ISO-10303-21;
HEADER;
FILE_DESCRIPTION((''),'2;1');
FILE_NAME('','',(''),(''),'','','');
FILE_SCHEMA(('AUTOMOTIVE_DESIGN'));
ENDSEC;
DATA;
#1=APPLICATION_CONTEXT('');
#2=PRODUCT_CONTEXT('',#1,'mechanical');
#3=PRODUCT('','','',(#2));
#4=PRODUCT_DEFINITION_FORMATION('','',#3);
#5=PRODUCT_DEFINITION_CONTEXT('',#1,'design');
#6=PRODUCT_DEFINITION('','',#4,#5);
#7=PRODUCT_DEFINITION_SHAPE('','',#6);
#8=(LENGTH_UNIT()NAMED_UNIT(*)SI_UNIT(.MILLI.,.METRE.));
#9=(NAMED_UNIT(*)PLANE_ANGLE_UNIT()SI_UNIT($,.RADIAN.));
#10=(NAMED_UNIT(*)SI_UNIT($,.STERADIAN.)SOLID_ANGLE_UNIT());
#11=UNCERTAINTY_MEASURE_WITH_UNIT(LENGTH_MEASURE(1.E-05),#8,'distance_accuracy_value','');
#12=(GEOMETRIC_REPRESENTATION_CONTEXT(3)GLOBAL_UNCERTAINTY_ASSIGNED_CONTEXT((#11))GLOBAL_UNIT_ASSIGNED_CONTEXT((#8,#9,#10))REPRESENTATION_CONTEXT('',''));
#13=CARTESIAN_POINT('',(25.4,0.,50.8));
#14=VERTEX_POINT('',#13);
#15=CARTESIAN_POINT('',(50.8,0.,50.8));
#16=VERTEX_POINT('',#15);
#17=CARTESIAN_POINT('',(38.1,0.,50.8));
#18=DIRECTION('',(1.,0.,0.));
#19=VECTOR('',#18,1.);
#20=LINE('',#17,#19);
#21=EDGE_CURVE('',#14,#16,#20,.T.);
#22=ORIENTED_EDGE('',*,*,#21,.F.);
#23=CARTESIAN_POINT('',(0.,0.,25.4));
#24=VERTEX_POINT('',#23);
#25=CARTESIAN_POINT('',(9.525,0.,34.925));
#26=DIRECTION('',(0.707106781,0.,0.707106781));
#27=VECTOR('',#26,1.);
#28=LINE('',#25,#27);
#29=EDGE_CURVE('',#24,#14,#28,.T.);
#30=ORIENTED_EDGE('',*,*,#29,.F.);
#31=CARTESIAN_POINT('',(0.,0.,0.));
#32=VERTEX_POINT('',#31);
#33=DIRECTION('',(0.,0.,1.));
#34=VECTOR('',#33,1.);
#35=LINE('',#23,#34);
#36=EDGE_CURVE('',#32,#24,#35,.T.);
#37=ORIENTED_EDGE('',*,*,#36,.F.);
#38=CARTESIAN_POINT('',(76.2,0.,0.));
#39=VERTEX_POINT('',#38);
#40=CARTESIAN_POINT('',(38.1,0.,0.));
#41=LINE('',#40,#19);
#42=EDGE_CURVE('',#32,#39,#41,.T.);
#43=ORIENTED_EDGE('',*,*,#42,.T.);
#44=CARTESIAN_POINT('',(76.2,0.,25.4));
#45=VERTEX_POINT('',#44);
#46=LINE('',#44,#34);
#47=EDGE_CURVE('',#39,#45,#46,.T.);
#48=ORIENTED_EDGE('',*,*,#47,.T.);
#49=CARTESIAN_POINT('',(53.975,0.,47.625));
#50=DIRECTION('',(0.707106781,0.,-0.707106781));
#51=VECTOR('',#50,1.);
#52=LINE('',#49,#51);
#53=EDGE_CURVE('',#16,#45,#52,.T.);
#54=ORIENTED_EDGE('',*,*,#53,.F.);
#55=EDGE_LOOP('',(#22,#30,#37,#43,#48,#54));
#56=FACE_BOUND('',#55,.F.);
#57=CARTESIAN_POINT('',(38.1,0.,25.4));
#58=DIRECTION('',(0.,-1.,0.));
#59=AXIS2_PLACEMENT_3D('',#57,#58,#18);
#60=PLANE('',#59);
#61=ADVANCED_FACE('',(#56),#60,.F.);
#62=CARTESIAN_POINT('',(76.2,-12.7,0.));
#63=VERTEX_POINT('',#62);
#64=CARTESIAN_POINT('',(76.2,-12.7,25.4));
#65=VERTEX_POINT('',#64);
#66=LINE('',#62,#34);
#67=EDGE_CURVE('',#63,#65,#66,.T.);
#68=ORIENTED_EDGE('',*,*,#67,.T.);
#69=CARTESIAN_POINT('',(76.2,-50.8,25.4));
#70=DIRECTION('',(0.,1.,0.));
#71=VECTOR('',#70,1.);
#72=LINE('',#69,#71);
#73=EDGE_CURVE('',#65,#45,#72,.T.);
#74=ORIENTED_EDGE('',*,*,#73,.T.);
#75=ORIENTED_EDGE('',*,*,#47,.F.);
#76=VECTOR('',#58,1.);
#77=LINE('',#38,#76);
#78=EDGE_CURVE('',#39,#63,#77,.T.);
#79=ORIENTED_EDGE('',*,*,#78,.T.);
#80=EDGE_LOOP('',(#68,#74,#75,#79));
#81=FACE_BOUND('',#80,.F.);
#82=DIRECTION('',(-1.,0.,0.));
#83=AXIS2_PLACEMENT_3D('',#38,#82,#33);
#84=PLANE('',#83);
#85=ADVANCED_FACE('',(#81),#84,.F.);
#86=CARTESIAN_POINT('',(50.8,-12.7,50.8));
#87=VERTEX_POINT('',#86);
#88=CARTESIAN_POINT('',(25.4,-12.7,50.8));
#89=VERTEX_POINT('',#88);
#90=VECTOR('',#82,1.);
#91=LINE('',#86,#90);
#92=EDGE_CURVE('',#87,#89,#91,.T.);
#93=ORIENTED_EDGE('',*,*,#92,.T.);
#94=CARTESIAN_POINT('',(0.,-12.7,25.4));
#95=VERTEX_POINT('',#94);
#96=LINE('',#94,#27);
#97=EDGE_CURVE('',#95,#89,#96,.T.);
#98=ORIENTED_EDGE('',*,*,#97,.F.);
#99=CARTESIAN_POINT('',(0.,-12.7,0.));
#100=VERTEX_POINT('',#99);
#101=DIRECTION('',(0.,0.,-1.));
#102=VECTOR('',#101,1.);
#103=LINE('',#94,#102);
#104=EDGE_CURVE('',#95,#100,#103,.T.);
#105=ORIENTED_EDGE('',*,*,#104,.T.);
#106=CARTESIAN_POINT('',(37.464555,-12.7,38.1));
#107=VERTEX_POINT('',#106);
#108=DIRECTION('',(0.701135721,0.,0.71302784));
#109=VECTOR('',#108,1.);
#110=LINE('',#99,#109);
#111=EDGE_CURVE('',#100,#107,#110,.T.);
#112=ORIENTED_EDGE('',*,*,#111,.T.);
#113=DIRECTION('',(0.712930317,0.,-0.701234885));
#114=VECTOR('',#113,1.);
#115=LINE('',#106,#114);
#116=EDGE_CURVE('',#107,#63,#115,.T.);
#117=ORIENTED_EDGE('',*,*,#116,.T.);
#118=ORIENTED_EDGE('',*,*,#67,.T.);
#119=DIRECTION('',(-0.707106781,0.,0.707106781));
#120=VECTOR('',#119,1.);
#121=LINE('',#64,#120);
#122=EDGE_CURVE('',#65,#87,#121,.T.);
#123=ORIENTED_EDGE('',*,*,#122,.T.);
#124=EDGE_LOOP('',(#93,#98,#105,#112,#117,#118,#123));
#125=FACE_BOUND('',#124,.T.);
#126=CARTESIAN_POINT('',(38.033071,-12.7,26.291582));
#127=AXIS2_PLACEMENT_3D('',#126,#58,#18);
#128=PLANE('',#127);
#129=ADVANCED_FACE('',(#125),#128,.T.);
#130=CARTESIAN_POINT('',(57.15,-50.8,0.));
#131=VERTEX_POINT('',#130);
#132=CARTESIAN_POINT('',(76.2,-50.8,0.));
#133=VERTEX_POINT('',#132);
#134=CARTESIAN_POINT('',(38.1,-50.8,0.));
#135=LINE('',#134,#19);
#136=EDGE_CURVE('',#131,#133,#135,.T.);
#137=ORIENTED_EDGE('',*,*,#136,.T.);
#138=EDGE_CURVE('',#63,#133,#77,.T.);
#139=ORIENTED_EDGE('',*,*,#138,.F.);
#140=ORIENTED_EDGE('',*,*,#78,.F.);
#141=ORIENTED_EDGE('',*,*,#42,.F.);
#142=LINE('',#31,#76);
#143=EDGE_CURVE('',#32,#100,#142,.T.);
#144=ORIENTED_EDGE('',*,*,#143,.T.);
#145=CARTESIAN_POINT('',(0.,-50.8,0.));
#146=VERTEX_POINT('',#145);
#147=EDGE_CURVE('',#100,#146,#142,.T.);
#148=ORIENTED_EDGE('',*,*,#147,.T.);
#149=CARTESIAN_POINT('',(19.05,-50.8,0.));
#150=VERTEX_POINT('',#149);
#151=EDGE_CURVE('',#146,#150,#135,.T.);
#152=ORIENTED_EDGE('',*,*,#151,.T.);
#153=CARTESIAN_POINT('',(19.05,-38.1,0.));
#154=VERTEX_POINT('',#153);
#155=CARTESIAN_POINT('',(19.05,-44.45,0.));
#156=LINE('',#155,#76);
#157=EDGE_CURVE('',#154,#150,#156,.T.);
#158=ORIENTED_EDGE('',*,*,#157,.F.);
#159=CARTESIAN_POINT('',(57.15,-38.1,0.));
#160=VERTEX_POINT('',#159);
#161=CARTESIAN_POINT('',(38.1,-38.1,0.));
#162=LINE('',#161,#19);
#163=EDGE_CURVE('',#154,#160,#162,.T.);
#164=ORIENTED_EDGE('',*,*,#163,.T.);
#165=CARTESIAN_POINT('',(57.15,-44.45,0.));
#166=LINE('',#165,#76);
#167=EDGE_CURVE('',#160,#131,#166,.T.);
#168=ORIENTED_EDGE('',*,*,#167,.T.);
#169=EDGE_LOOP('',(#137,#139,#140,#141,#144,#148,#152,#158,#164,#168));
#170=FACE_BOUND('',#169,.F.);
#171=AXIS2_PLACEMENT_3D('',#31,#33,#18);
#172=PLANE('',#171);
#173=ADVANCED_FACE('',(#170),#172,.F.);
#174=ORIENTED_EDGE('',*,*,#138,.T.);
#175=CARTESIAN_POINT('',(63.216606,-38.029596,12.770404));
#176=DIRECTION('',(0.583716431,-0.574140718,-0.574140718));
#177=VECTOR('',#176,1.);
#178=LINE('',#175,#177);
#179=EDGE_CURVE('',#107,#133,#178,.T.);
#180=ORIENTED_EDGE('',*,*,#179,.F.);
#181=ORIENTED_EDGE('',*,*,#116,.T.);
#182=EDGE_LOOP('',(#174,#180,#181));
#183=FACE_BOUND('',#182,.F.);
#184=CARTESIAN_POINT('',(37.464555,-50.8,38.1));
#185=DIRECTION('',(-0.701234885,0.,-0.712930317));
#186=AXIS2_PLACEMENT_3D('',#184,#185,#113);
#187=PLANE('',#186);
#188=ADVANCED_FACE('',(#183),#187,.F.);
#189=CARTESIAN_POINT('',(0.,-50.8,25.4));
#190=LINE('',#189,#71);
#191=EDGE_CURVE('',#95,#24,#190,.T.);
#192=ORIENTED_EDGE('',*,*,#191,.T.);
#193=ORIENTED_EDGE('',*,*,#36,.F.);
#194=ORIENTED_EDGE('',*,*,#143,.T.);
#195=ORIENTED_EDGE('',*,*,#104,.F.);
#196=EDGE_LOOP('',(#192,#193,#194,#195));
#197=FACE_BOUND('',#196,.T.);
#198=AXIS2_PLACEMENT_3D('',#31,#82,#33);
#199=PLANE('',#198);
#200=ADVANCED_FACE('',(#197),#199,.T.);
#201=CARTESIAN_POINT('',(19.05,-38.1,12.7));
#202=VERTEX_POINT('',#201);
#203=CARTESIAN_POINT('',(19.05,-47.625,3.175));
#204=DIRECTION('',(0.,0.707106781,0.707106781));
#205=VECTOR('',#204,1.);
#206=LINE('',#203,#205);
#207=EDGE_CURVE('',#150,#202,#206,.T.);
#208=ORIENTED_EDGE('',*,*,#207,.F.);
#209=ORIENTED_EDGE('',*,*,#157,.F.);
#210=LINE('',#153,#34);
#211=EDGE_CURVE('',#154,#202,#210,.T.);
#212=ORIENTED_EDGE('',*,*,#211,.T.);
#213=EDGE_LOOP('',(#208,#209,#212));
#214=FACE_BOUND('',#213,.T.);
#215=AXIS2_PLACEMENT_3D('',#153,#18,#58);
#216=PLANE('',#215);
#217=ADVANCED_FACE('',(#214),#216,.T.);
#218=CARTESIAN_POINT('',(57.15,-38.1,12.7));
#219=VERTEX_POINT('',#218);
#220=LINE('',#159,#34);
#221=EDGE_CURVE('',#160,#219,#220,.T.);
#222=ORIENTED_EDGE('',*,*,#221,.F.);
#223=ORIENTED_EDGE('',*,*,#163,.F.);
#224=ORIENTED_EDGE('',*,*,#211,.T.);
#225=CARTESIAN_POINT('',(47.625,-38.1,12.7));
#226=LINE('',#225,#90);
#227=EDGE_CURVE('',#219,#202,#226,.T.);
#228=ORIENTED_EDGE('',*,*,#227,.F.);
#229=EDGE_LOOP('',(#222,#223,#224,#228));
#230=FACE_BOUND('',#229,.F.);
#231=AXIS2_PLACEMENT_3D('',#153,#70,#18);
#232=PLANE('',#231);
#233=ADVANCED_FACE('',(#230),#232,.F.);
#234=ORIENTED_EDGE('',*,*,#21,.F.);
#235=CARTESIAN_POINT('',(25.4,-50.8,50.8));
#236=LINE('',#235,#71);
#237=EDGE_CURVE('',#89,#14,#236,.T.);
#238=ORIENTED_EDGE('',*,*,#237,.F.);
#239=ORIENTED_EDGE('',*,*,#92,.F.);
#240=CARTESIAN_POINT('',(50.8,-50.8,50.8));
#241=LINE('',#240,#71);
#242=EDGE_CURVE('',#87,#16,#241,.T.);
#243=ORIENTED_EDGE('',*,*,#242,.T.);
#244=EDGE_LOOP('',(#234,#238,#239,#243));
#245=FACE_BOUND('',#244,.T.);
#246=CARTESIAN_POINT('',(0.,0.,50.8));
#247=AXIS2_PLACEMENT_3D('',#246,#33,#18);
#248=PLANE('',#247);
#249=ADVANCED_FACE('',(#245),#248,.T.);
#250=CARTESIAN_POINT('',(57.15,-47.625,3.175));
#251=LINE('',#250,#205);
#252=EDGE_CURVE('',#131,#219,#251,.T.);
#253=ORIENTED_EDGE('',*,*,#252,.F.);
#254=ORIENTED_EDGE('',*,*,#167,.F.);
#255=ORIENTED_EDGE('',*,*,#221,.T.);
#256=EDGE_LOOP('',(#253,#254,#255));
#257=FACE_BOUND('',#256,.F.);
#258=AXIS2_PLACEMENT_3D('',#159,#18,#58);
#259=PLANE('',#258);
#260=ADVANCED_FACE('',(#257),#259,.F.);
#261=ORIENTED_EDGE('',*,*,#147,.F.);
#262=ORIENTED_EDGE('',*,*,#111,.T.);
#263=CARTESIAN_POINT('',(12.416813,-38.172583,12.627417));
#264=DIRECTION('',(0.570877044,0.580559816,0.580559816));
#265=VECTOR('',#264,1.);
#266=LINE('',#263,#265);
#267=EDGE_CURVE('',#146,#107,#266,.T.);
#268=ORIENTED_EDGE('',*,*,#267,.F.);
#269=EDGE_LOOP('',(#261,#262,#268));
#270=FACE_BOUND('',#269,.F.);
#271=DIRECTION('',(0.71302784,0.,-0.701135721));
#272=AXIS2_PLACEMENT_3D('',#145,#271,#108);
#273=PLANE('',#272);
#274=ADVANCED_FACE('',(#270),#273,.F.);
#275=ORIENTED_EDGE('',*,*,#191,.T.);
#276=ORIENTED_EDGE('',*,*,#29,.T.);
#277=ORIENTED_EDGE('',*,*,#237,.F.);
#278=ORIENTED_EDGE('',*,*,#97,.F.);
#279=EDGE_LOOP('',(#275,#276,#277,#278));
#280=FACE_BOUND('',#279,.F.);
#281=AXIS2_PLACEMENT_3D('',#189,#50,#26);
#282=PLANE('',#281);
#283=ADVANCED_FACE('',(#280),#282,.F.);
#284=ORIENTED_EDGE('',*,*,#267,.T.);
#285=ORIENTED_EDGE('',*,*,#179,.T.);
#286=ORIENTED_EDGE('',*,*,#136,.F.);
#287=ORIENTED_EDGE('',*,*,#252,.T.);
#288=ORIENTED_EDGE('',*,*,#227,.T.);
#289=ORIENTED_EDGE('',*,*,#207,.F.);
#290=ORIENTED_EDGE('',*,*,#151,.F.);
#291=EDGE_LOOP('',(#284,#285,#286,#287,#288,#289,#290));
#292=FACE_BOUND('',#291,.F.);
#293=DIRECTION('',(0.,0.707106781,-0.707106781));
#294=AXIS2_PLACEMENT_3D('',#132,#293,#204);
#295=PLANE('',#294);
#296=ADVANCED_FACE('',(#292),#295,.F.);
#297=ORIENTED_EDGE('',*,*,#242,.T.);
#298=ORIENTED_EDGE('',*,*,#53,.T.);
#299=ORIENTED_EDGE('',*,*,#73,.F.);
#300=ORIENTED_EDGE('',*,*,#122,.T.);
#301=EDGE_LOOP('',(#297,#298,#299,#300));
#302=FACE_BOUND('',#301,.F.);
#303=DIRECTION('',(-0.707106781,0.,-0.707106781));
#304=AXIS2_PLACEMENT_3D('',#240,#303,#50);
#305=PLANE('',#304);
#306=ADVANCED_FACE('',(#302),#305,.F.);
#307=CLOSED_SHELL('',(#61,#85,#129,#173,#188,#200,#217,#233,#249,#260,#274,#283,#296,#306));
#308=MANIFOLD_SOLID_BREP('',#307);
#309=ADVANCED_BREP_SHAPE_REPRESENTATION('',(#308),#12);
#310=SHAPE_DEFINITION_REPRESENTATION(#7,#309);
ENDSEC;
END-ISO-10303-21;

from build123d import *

# Parameters (mm, degrees)
F0_W     = 76.2
F0_H     = 50.8
F1_DEPTH = 50.8
F3_DEPTH = 50.801
F4_W     = 38.1
F4_H     = 12.7
F5_DEPTH = 50.801
F7_DEPTH = 38.1
F9_DEPTH = 76.201


with BuildPart() as f1:
    # F0 (on Front) → F1 (new body)
    with BuildSketch(Plane.XZ):
        with Locations((38.1, 25.4)):
            Rectangle(F0_W, F0_H)
    extrude(amount=F1_DEPTH)

    # F2 (on face) → F3 (cut, through all)
    with BuildSketch(Plane.XZ.offset(50.8)):
        Polygon((0, 50.8), (0, 25.4), (25.4, 50.8), align=None)
        Polygon((76.2, 25.4), (76.2, 50.8), (50.8, 50.8), align=None)
    extrude(amount=-F3_DEPTH, mode=Mode.SUBTRACT)

    # F4 (on face) → F5 (cut, through all)
    with BuildSketch(Plane(origin=(0, 0, 0), x_dir=(1, 0, 0), z_dir=(0, 0, -1))):
        with Locations((38.1, 44.45)):
            Rectangle(F4_W, F4_H)
    extrude(amount=-F5_DEPTH, mode=Mode.SUBTRACT)

    # F6 (on face) → F7 (cut)
    with BuildSketch(Plane.XZ.offset(50.8)):
        Polygon((76.2, 25.4), (57.15, 44.45), (50.8, 50.8), (25.4, 50.8), (19.05, 44.45), (0, 25.4), (0, 0), (37.4645553529, 38.1), (76.2, 0), align=None)
    extrude(amount=-F7_DEPTH, mode=Mode.SUBTRACT)

    # F8 (on face) → F9 (cut, through all)
    with BuildSketch(Plane.YZ.offset(76.2)):
        Polygon((-50.8, 0), (-12.7, 38.1), (-38.1, 38.1), (-50.8, 28.336815536), align=None)
    extrude(amount=-F9_DEPTH, mode=Mode.SUBTRACT)


solid = f1.part
